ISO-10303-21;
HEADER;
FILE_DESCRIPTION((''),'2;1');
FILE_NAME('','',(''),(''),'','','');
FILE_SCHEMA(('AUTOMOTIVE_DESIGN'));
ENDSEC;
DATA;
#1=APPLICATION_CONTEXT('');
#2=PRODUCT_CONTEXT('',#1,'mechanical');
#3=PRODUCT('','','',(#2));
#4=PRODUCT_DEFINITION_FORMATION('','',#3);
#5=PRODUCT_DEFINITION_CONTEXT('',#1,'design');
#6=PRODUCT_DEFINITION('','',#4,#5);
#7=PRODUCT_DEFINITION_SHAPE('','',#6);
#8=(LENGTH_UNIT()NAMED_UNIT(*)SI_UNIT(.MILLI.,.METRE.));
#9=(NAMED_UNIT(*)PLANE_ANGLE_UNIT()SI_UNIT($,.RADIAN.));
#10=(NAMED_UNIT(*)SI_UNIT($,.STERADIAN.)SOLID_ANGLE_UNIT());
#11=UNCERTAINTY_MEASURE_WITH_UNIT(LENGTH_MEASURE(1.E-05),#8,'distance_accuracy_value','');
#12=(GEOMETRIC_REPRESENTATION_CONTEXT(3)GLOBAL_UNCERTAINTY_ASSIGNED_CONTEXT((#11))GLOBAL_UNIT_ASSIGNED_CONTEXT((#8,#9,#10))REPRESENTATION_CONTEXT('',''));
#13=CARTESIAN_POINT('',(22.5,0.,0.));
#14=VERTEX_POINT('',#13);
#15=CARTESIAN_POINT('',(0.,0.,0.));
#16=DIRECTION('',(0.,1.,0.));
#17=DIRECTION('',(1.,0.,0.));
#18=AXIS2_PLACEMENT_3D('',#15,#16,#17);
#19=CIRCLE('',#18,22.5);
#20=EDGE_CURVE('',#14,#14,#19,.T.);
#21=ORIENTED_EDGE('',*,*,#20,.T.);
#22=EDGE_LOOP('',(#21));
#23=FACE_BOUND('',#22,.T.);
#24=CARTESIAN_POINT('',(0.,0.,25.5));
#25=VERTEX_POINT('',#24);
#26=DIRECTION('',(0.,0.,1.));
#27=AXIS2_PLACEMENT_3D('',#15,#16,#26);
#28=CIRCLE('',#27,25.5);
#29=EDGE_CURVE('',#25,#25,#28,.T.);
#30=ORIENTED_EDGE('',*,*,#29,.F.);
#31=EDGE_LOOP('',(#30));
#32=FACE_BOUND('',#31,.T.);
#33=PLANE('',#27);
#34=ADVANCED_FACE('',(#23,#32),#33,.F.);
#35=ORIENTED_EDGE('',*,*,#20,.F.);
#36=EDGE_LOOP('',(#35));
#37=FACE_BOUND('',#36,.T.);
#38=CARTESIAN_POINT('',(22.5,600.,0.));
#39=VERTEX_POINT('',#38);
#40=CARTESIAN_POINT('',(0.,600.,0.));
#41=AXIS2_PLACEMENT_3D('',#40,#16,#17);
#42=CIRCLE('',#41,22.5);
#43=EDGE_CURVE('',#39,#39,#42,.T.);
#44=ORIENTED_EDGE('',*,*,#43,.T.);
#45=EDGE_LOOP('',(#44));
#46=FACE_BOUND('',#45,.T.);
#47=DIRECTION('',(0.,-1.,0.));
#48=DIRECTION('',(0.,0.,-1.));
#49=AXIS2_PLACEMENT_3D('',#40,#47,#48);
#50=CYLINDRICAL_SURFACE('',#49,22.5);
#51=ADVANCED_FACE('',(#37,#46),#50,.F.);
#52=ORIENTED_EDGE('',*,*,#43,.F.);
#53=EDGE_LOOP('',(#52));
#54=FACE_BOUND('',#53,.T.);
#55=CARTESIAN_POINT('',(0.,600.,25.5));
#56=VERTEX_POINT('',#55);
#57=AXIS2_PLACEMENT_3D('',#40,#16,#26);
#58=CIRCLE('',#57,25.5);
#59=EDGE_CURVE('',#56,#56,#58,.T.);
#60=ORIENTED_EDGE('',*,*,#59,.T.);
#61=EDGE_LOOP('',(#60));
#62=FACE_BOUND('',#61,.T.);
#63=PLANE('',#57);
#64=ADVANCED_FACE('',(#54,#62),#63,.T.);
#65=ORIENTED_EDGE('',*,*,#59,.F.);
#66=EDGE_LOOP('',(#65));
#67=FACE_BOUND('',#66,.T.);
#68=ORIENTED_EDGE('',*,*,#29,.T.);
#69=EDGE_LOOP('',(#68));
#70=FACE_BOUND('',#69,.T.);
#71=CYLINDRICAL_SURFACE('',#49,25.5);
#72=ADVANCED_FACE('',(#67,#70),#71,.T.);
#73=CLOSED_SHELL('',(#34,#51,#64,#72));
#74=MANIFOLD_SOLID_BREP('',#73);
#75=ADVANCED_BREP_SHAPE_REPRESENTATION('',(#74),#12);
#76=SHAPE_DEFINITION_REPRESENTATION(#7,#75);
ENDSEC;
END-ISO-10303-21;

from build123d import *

# Parameters (mm, degrees)
SKETCH_1_R      = 25.5
SKETCH_1_R_2    = 22.5
EXTRUDE_1_DEPTH = 600


with BuildPart() as part:
    # Эскиз1 → Вытянуть-Тонкостенный1 (new body)
    with BuildSketch(Plane(origin=(0, 0, 0), x_dir=(1, 0, 0), z_dir=(0, 1, 0))):
        Circle(SKETCH_1_R)
        Circle(SKETCH_1_R_2, mode=Mode.SUBTRACT)
    extrude(amount=EXTRUDE_1_DEPTH)


solid = part.part
